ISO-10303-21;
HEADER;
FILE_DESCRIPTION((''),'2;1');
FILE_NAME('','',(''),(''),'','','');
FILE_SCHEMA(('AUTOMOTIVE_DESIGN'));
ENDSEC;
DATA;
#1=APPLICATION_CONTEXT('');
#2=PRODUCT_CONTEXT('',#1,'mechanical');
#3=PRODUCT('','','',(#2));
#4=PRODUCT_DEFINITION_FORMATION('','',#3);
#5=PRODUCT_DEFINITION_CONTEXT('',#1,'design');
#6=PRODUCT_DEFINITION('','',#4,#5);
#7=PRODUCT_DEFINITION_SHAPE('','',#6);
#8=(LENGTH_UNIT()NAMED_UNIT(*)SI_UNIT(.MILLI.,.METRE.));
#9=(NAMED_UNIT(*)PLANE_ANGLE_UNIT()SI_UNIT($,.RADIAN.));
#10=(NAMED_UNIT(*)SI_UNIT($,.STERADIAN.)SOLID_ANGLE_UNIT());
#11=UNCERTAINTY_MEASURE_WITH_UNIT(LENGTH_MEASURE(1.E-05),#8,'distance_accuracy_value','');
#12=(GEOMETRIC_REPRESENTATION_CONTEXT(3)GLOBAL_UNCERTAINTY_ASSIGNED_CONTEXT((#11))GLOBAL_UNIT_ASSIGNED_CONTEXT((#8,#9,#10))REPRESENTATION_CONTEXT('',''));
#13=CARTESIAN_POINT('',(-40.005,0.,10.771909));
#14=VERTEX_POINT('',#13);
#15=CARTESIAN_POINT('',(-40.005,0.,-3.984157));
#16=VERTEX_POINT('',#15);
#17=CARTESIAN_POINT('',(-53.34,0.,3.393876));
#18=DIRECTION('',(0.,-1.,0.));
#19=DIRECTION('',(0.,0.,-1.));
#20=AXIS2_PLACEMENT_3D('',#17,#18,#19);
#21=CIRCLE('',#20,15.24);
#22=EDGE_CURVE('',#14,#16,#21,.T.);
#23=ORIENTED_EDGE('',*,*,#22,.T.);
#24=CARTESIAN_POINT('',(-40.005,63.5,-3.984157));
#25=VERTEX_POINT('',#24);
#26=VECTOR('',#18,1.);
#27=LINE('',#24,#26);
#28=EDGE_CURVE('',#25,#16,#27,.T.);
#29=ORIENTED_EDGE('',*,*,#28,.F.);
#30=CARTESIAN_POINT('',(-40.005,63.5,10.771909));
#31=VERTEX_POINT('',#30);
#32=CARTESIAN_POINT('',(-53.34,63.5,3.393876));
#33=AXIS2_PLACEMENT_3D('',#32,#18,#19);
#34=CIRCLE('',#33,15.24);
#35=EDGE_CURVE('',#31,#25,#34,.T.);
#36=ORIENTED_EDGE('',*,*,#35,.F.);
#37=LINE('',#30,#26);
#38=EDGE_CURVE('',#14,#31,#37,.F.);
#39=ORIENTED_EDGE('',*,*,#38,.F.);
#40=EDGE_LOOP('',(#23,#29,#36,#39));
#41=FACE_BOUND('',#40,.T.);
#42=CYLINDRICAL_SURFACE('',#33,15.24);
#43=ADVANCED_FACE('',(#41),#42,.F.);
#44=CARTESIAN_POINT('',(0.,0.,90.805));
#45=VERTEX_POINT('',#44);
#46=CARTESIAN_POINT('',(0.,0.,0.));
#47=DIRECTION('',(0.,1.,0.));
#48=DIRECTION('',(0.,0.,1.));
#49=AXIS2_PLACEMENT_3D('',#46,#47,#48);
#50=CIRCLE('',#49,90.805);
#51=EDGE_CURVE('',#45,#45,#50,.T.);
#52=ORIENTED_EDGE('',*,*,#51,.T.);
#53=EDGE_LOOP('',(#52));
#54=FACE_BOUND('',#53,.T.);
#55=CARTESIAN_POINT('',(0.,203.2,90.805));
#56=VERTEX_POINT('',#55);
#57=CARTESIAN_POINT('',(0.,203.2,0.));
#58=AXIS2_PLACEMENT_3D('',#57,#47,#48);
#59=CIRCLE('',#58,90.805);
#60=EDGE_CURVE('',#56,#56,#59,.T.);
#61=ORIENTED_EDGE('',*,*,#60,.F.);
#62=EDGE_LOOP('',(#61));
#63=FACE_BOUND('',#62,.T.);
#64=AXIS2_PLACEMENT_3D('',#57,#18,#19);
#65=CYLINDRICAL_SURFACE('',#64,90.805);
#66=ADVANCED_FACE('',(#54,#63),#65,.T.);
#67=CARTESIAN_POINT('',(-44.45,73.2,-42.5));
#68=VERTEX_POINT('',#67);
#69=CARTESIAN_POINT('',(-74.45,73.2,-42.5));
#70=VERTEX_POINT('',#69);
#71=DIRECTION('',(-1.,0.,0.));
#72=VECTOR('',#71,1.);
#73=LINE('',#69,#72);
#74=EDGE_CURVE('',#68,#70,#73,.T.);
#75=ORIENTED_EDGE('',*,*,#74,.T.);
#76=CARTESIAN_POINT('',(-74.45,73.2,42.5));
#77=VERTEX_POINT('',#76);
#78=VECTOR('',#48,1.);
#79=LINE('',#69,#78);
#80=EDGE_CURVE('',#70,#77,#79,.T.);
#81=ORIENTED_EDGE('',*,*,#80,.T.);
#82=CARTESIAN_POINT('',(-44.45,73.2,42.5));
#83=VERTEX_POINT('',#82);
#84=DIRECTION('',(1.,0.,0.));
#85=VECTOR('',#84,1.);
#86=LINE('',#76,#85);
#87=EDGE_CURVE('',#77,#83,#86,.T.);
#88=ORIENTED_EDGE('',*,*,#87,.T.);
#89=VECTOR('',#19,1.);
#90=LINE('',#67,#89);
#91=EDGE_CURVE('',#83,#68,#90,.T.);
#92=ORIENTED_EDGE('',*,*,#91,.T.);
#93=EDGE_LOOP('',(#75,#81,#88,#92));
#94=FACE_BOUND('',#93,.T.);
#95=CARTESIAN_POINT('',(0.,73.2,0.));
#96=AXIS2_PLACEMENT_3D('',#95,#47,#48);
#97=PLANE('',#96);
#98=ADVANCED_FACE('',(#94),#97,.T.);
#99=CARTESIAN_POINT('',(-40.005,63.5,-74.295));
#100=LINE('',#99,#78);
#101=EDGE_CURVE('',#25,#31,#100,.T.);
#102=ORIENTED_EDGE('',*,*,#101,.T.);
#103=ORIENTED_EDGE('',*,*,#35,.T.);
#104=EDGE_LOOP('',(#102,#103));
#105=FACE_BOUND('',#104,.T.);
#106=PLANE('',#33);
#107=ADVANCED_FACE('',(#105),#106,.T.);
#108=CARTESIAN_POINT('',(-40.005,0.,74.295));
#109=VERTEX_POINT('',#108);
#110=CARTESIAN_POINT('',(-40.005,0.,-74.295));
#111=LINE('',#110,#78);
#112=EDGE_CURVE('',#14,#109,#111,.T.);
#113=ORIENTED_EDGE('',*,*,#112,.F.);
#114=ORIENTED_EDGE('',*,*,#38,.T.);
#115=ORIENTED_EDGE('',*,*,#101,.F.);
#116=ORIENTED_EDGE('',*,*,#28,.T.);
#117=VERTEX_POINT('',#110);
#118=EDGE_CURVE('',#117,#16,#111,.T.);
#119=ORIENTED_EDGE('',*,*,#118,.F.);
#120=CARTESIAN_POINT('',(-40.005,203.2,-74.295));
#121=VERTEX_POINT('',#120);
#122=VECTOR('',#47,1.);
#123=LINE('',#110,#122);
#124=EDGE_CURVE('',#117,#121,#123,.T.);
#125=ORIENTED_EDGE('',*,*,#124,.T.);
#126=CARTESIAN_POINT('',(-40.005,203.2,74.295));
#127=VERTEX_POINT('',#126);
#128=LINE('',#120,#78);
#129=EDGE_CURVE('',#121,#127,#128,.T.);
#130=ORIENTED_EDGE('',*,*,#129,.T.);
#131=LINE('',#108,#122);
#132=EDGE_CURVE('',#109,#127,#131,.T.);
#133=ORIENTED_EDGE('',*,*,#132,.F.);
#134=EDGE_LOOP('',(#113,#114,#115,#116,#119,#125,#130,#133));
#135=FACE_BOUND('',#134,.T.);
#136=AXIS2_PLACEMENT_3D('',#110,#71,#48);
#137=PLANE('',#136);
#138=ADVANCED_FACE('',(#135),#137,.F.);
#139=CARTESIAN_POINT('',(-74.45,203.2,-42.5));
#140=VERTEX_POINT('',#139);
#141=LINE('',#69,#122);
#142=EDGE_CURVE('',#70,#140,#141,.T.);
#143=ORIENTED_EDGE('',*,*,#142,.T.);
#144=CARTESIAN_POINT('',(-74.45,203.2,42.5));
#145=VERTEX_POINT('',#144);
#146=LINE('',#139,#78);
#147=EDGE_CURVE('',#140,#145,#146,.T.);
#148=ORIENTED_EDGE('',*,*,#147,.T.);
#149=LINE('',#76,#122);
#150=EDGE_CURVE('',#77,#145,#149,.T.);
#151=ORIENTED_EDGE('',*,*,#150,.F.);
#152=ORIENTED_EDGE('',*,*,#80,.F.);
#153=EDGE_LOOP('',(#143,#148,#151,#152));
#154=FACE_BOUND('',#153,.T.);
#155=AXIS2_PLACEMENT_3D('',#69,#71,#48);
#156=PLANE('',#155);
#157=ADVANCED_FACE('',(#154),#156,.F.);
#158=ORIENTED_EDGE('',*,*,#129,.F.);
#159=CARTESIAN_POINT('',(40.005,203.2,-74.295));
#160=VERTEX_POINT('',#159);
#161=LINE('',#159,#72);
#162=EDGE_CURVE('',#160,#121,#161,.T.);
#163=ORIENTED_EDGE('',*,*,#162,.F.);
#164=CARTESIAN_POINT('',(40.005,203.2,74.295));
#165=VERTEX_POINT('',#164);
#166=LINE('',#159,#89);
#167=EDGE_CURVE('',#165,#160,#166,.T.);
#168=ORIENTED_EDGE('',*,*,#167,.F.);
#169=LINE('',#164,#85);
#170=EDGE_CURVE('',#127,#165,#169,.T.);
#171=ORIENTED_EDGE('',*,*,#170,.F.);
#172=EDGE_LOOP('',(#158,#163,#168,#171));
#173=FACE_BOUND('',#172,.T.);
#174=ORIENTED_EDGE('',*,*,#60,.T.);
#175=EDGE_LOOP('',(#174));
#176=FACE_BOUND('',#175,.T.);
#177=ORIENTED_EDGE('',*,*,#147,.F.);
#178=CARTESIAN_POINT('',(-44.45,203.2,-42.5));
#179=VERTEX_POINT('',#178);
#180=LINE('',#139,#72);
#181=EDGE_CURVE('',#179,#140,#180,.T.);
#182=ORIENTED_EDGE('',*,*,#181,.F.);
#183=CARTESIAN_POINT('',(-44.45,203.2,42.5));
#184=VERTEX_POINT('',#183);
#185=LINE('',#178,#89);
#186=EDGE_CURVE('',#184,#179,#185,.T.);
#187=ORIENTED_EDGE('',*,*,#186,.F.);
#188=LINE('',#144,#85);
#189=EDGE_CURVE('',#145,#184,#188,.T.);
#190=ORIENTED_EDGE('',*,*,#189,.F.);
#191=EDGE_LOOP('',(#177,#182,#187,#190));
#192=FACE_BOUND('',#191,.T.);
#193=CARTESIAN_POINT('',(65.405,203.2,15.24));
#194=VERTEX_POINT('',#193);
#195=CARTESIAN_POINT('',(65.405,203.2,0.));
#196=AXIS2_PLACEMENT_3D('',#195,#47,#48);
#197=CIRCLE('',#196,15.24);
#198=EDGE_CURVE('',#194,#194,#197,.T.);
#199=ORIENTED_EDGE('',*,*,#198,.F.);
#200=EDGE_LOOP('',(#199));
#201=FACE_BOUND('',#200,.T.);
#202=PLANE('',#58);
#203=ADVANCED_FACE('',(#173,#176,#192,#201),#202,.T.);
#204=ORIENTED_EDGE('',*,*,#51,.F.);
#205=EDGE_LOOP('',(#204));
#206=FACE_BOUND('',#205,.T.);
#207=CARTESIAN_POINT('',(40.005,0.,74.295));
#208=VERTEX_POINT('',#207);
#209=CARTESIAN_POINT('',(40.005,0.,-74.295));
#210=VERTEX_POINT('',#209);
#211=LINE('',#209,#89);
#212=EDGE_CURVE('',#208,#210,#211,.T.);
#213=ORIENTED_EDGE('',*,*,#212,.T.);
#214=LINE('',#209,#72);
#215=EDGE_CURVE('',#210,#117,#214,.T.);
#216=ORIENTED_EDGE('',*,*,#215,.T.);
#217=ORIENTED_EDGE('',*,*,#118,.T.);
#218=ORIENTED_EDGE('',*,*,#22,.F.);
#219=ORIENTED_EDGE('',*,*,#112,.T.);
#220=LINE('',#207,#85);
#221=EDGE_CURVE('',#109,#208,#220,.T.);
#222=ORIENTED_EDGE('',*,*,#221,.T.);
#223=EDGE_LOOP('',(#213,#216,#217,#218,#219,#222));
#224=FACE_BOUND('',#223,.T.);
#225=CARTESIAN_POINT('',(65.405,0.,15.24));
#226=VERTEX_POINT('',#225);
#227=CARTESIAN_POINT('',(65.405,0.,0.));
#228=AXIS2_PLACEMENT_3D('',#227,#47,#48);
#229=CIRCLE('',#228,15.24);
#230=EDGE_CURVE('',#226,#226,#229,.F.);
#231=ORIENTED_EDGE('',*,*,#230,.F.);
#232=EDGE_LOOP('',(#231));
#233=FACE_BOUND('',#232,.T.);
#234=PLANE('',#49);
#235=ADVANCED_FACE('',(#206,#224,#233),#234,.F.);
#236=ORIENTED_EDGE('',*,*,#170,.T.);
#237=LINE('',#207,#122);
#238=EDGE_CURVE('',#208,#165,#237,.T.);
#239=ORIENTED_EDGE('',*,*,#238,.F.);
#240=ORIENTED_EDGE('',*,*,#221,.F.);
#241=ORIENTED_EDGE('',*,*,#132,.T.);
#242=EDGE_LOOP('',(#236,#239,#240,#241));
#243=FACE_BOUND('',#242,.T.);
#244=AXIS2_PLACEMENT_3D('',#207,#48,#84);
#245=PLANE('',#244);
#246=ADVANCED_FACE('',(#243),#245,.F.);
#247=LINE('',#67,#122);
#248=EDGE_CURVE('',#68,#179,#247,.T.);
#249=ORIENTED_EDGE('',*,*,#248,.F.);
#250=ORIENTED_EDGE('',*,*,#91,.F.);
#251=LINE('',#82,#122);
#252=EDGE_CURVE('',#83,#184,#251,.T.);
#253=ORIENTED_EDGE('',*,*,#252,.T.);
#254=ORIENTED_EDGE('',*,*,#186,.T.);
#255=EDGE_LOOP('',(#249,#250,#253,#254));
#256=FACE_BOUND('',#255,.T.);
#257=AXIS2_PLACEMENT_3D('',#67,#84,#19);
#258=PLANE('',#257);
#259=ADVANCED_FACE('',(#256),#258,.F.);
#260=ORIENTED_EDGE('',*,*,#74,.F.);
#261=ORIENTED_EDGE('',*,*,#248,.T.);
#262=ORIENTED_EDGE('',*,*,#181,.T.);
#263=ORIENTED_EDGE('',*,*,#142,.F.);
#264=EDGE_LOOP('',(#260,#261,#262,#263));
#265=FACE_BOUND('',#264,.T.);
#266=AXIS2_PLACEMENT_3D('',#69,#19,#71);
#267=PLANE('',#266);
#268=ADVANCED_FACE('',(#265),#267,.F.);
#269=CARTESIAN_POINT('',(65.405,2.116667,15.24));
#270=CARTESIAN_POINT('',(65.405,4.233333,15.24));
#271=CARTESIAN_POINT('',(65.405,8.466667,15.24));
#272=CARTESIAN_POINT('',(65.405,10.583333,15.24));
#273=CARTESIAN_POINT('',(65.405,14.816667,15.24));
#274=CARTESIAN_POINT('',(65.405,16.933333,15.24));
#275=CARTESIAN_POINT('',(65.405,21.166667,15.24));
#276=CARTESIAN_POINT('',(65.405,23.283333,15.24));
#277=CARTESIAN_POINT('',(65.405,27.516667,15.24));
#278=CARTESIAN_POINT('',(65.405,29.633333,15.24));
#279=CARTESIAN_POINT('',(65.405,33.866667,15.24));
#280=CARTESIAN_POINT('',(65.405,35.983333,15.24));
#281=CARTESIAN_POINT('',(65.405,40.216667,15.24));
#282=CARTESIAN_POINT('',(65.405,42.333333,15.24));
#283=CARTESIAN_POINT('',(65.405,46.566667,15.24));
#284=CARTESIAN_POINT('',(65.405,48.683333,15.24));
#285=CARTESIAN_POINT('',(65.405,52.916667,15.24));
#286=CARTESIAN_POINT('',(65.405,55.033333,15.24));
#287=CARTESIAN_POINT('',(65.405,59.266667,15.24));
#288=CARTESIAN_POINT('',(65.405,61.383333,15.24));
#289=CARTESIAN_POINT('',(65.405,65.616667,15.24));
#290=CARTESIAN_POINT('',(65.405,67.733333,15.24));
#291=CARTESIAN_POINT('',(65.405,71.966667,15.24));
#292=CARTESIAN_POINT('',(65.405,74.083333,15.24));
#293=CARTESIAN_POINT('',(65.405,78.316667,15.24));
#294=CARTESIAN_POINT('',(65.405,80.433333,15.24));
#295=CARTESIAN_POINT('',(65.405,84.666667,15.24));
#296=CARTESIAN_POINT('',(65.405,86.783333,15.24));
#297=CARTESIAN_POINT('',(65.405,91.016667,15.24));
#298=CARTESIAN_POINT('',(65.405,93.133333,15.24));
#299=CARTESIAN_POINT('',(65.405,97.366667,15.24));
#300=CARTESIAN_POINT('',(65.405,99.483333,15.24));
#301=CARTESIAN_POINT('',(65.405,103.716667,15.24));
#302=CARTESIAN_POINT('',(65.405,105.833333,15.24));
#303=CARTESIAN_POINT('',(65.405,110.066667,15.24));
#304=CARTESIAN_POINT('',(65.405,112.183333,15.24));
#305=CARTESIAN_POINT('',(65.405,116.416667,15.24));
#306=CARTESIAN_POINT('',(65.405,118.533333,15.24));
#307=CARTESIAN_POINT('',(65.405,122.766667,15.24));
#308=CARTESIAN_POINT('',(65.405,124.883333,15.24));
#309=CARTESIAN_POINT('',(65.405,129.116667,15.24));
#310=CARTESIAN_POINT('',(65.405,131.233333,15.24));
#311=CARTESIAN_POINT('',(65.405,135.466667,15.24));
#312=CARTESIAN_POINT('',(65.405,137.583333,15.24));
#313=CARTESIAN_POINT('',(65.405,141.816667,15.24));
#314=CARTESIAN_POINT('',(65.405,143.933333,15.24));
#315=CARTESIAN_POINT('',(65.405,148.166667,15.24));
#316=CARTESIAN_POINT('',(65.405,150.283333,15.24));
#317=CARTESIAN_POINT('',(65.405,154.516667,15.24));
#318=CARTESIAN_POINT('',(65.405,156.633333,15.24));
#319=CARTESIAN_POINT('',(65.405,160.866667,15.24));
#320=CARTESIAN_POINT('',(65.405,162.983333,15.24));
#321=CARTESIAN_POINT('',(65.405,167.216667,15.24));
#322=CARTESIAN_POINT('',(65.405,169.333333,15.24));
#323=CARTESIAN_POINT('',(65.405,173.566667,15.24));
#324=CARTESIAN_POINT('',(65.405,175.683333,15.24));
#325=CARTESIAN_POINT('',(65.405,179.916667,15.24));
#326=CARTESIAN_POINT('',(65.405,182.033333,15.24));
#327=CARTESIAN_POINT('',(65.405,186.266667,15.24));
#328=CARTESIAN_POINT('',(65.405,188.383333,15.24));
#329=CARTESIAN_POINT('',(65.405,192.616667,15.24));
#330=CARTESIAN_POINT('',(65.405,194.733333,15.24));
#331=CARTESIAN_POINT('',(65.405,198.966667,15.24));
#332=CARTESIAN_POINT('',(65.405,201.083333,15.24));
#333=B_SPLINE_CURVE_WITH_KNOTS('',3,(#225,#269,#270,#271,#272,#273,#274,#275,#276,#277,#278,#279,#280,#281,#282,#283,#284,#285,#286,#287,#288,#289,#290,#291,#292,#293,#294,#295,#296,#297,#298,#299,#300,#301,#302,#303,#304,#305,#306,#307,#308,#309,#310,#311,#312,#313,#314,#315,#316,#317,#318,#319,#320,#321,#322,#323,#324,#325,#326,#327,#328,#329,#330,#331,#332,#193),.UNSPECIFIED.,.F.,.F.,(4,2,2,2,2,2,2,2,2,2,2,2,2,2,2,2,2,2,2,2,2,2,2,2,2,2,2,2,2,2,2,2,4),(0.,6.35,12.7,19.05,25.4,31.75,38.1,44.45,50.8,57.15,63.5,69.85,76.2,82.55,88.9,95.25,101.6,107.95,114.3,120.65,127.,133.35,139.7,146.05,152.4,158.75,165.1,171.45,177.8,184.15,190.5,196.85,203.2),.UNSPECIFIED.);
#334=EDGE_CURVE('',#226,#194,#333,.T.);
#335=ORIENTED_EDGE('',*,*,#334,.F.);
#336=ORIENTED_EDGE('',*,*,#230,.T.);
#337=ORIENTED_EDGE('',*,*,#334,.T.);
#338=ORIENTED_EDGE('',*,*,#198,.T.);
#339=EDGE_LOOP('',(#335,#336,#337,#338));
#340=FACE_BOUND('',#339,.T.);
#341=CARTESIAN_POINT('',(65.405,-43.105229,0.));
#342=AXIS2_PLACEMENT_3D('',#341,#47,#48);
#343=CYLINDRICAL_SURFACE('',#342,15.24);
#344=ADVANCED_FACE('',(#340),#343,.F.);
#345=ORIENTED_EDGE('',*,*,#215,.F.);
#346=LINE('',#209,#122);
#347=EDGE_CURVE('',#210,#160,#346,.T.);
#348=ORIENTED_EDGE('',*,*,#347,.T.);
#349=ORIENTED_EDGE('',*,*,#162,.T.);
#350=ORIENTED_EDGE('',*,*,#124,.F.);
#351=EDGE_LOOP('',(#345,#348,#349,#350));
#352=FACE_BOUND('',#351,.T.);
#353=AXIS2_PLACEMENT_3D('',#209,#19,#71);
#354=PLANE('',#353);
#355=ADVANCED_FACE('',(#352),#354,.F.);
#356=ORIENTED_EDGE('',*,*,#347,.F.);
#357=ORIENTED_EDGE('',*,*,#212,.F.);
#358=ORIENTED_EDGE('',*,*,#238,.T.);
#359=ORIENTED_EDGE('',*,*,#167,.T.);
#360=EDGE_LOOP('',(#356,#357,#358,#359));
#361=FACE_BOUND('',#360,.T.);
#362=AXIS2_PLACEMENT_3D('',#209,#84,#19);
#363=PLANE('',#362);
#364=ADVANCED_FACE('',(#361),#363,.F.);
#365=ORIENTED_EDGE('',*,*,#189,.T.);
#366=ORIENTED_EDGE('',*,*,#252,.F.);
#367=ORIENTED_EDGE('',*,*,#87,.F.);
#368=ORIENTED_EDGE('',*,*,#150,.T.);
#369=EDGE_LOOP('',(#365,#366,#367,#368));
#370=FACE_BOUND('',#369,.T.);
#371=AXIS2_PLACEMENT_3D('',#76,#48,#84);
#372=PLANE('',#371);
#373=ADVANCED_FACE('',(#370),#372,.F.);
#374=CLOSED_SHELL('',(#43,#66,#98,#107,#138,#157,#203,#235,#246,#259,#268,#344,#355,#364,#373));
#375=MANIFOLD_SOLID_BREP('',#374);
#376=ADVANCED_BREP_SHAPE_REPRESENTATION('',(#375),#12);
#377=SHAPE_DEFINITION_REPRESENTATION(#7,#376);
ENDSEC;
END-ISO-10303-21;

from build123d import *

# Parameters (mm, degrees)
SKETCH1_R           = 90.805
BOSS_EXTRUDE1_DEPTH = 203.2
SKETCH2_W           = 80.01
SKETCH2_H           = 148.59
CUT_EXTRUDE1_DEPTH  = 203.2
SKETCH3_W           = 30
SKETCH3_H           = 85
CUT_EXTRUDE2_DEPTH  = 130
SKETCH4_R           = 15.24
CUT_EXTRUDE3_DEPTH  = 203.2
SKETCH5_R           = 15.24
CUT_EXTRUDE4_DEPTH  = 63.5


with BuildPart() as part:
    # Sketch1 → Boss-Extrude1 (new body)
    with BuildSketch(Plane(origin=(0, 0, 0), x_dir=(1, 0, 0), z_dir=(0, 1, 0))):
        with Locations(Location((0, 0, 0), (0, 0, 270))):
            Circle(SKETCH1_R)
    extrude(amount=BOSS_EXTRUDE1_DEPTH)

    # Sketch2 → Cut-Extrude1 (cut)
    with BuildSketch(Plane(origin=(0, 203.2, 0), x_dir=(1, 0, 0), z_dir=(0, 1, 0))):
        Rectangle(SKETCH2_W, SKETCH2_H)
    extrude(amount=-CUT_EXTRUDE1_DEPTH, mode=Mode.SUBTRACT)

    # Sketch3 → Cut-Extrude2 (cut)
    with BuildSketch(Plane(origin=(0, 203.2, 0), x_dir=(1, 0, 0), z_dir=(0, 1, 0))):
        with Locations((-59.45, 0)):
            Rectangle(SKETCH3_W, SKETCH3_H)
    extrude(amount=-CUT_EXTRUDE2_DEPTH, mode=Mode.SUBTRACT)

    # Sketch4 → Cut-Extrude3 (cut)
    with BuildSketch(Plane(origin=(0, 203.2, 0), x_dir=(1, 0, 0), z_dir=(0, 1, 0))):
        with Locations(Location((65.405, 0, 0), (0, 0, 270))):
            Circle(SKETCH4_R)
    extrude(amount=-CUT_EXTRUDE3_DEPTH, mode=Mode.SUBTRACT)

    # Sketch5 → Cut-Extrude4 (cut)
    with BuildSketch(Plane(origin=(0, 0, 0), x_dir=(-1, 0, 0), z_dir=(0, -1, 0))):
        with Locations((53.34, -3.393876065)):
            Circle(SKETCH5_R)
    extrude(amount=-CUT_EXTRUDE4_DEPTH, mode=Mode.SUBTRACT)


solid = part.part
